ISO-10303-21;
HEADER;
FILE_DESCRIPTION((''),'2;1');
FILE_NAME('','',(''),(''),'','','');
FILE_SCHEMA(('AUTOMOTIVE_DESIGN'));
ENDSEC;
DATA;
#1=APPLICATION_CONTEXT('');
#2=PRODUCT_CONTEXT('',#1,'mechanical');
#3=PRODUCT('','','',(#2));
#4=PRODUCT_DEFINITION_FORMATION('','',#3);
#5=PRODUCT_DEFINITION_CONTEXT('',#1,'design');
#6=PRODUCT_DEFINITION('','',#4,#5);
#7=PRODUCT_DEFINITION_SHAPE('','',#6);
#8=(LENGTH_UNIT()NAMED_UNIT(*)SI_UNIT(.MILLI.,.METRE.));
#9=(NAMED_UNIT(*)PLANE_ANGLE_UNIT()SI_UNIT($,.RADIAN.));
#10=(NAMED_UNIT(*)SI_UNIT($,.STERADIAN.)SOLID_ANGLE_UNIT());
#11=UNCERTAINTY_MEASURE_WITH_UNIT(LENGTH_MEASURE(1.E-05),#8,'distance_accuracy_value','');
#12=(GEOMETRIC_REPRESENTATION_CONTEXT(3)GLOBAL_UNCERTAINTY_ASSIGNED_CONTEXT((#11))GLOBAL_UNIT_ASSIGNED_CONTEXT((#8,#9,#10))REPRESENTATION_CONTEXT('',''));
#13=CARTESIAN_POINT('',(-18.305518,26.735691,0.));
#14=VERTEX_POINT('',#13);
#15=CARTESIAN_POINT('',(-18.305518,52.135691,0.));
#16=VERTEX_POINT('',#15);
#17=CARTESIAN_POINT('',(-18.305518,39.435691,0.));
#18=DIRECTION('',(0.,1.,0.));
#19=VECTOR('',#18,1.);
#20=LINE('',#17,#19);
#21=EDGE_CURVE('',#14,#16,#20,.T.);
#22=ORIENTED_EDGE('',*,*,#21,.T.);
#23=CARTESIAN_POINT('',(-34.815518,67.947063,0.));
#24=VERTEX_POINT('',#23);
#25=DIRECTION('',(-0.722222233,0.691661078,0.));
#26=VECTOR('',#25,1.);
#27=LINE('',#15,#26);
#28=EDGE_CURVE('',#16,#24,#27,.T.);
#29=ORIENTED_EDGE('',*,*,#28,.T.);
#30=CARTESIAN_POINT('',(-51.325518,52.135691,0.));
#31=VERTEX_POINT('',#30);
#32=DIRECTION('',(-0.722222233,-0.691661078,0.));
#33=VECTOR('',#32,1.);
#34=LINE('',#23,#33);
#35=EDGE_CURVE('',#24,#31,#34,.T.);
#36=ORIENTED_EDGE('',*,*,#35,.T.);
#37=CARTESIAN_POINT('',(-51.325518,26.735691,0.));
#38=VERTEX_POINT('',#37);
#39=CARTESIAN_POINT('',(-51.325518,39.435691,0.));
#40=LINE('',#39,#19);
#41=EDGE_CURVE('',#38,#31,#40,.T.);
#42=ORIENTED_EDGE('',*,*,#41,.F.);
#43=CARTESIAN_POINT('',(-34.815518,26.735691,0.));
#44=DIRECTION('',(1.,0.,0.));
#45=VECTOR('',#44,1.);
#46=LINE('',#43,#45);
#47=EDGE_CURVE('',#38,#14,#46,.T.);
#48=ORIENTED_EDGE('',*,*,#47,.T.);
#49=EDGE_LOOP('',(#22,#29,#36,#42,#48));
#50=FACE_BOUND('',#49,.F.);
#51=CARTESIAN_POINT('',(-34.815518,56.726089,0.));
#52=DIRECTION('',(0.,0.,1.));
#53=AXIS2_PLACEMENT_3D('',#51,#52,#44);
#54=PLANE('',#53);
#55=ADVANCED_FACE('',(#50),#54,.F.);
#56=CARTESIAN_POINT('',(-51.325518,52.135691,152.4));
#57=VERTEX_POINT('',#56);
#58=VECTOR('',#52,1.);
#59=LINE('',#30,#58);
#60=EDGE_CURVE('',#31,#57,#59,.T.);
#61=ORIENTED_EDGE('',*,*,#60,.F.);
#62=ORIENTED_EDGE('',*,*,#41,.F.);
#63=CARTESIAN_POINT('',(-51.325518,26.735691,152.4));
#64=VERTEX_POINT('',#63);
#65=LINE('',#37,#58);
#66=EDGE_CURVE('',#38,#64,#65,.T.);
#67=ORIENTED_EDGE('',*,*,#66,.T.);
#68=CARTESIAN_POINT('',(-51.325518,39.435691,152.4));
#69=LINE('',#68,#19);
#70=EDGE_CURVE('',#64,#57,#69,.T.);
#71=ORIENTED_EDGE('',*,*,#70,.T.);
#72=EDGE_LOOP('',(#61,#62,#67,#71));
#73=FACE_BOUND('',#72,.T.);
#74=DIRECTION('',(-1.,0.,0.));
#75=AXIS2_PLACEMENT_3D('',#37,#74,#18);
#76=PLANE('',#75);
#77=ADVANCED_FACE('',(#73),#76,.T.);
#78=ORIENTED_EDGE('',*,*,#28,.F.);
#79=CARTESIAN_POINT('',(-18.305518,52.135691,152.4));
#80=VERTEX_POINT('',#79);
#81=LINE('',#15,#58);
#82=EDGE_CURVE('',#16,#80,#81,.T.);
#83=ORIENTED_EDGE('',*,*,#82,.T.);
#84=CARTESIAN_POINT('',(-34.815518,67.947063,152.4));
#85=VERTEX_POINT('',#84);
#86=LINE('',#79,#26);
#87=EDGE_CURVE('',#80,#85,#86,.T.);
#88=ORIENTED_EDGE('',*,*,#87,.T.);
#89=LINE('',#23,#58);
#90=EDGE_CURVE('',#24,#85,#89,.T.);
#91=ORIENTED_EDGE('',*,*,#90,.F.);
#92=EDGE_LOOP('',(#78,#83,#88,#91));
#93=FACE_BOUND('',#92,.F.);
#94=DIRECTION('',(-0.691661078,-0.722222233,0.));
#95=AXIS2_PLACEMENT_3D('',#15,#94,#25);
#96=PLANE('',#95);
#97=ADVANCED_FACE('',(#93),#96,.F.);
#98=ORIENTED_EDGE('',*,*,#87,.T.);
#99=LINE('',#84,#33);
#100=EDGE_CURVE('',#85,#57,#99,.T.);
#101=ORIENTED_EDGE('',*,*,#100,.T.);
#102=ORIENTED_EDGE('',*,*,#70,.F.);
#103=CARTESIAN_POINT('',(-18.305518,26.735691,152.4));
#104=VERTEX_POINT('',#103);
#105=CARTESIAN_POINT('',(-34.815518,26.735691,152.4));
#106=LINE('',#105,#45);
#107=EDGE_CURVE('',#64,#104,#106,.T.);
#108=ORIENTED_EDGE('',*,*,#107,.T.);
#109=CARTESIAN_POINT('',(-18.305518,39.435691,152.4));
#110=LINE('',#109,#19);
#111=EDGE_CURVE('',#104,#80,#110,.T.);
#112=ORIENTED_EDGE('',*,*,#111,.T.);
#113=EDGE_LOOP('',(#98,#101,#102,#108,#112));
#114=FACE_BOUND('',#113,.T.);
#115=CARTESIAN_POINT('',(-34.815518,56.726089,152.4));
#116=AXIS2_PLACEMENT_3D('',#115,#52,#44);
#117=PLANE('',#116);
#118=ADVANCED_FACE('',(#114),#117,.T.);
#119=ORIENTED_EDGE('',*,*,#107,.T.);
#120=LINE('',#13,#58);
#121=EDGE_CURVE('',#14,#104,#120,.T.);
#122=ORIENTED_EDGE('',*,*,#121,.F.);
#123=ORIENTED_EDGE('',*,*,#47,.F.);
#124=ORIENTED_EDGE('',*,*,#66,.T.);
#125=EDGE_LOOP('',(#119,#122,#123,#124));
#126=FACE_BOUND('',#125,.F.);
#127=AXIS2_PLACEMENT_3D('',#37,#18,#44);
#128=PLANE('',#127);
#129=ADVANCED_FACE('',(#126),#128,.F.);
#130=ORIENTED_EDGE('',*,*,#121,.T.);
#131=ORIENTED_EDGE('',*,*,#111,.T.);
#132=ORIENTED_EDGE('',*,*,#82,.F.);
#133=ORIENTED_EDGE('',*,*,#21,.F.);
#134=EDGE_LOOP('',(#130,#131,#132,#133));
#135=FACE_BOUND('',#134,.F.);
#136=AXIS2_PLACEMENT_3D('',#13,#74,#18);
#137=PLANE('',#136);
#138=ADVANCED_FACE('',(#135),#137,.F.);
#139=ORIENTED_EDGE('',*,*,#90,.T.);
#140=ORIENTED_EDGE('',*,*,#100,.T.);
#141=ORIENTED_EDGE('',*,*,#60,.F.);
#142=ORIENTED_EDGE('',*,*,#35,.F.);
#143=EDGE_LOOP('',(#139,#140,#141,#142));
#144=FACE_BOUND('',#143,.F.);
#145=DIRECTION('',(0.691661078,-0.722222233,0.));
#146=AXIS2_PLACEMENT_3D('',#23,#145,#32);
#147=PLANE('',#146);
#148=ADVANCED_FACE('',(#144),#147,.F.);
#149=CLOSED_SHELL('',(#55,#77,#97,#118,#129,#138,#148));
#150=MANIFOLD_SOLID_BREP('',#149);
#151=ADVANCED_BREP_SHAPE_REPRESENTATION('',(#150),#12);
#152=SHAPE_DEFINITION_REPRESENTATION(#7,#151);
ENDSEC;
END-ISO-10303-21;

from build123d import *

# Parameters (mm, degrees)
F0_W     = 33.02
F0_H     = 25.4
F1_DEPTH = 152.4


with BuildPart() as f1:
    # F0 (on Top) → F1 (new body)
    with BuildSketch(Plane.XY):
        Polygon((-51.325518, 52.135691), (-18.305518, 52.135691), (-34.815518, 67.947063), align=None)
        with Locations((-34.815518, 39.435691)):
            Rectangle(F0_W, F0_H)
    extrude(amount=F1_DEPTH)


solid = f1.part
